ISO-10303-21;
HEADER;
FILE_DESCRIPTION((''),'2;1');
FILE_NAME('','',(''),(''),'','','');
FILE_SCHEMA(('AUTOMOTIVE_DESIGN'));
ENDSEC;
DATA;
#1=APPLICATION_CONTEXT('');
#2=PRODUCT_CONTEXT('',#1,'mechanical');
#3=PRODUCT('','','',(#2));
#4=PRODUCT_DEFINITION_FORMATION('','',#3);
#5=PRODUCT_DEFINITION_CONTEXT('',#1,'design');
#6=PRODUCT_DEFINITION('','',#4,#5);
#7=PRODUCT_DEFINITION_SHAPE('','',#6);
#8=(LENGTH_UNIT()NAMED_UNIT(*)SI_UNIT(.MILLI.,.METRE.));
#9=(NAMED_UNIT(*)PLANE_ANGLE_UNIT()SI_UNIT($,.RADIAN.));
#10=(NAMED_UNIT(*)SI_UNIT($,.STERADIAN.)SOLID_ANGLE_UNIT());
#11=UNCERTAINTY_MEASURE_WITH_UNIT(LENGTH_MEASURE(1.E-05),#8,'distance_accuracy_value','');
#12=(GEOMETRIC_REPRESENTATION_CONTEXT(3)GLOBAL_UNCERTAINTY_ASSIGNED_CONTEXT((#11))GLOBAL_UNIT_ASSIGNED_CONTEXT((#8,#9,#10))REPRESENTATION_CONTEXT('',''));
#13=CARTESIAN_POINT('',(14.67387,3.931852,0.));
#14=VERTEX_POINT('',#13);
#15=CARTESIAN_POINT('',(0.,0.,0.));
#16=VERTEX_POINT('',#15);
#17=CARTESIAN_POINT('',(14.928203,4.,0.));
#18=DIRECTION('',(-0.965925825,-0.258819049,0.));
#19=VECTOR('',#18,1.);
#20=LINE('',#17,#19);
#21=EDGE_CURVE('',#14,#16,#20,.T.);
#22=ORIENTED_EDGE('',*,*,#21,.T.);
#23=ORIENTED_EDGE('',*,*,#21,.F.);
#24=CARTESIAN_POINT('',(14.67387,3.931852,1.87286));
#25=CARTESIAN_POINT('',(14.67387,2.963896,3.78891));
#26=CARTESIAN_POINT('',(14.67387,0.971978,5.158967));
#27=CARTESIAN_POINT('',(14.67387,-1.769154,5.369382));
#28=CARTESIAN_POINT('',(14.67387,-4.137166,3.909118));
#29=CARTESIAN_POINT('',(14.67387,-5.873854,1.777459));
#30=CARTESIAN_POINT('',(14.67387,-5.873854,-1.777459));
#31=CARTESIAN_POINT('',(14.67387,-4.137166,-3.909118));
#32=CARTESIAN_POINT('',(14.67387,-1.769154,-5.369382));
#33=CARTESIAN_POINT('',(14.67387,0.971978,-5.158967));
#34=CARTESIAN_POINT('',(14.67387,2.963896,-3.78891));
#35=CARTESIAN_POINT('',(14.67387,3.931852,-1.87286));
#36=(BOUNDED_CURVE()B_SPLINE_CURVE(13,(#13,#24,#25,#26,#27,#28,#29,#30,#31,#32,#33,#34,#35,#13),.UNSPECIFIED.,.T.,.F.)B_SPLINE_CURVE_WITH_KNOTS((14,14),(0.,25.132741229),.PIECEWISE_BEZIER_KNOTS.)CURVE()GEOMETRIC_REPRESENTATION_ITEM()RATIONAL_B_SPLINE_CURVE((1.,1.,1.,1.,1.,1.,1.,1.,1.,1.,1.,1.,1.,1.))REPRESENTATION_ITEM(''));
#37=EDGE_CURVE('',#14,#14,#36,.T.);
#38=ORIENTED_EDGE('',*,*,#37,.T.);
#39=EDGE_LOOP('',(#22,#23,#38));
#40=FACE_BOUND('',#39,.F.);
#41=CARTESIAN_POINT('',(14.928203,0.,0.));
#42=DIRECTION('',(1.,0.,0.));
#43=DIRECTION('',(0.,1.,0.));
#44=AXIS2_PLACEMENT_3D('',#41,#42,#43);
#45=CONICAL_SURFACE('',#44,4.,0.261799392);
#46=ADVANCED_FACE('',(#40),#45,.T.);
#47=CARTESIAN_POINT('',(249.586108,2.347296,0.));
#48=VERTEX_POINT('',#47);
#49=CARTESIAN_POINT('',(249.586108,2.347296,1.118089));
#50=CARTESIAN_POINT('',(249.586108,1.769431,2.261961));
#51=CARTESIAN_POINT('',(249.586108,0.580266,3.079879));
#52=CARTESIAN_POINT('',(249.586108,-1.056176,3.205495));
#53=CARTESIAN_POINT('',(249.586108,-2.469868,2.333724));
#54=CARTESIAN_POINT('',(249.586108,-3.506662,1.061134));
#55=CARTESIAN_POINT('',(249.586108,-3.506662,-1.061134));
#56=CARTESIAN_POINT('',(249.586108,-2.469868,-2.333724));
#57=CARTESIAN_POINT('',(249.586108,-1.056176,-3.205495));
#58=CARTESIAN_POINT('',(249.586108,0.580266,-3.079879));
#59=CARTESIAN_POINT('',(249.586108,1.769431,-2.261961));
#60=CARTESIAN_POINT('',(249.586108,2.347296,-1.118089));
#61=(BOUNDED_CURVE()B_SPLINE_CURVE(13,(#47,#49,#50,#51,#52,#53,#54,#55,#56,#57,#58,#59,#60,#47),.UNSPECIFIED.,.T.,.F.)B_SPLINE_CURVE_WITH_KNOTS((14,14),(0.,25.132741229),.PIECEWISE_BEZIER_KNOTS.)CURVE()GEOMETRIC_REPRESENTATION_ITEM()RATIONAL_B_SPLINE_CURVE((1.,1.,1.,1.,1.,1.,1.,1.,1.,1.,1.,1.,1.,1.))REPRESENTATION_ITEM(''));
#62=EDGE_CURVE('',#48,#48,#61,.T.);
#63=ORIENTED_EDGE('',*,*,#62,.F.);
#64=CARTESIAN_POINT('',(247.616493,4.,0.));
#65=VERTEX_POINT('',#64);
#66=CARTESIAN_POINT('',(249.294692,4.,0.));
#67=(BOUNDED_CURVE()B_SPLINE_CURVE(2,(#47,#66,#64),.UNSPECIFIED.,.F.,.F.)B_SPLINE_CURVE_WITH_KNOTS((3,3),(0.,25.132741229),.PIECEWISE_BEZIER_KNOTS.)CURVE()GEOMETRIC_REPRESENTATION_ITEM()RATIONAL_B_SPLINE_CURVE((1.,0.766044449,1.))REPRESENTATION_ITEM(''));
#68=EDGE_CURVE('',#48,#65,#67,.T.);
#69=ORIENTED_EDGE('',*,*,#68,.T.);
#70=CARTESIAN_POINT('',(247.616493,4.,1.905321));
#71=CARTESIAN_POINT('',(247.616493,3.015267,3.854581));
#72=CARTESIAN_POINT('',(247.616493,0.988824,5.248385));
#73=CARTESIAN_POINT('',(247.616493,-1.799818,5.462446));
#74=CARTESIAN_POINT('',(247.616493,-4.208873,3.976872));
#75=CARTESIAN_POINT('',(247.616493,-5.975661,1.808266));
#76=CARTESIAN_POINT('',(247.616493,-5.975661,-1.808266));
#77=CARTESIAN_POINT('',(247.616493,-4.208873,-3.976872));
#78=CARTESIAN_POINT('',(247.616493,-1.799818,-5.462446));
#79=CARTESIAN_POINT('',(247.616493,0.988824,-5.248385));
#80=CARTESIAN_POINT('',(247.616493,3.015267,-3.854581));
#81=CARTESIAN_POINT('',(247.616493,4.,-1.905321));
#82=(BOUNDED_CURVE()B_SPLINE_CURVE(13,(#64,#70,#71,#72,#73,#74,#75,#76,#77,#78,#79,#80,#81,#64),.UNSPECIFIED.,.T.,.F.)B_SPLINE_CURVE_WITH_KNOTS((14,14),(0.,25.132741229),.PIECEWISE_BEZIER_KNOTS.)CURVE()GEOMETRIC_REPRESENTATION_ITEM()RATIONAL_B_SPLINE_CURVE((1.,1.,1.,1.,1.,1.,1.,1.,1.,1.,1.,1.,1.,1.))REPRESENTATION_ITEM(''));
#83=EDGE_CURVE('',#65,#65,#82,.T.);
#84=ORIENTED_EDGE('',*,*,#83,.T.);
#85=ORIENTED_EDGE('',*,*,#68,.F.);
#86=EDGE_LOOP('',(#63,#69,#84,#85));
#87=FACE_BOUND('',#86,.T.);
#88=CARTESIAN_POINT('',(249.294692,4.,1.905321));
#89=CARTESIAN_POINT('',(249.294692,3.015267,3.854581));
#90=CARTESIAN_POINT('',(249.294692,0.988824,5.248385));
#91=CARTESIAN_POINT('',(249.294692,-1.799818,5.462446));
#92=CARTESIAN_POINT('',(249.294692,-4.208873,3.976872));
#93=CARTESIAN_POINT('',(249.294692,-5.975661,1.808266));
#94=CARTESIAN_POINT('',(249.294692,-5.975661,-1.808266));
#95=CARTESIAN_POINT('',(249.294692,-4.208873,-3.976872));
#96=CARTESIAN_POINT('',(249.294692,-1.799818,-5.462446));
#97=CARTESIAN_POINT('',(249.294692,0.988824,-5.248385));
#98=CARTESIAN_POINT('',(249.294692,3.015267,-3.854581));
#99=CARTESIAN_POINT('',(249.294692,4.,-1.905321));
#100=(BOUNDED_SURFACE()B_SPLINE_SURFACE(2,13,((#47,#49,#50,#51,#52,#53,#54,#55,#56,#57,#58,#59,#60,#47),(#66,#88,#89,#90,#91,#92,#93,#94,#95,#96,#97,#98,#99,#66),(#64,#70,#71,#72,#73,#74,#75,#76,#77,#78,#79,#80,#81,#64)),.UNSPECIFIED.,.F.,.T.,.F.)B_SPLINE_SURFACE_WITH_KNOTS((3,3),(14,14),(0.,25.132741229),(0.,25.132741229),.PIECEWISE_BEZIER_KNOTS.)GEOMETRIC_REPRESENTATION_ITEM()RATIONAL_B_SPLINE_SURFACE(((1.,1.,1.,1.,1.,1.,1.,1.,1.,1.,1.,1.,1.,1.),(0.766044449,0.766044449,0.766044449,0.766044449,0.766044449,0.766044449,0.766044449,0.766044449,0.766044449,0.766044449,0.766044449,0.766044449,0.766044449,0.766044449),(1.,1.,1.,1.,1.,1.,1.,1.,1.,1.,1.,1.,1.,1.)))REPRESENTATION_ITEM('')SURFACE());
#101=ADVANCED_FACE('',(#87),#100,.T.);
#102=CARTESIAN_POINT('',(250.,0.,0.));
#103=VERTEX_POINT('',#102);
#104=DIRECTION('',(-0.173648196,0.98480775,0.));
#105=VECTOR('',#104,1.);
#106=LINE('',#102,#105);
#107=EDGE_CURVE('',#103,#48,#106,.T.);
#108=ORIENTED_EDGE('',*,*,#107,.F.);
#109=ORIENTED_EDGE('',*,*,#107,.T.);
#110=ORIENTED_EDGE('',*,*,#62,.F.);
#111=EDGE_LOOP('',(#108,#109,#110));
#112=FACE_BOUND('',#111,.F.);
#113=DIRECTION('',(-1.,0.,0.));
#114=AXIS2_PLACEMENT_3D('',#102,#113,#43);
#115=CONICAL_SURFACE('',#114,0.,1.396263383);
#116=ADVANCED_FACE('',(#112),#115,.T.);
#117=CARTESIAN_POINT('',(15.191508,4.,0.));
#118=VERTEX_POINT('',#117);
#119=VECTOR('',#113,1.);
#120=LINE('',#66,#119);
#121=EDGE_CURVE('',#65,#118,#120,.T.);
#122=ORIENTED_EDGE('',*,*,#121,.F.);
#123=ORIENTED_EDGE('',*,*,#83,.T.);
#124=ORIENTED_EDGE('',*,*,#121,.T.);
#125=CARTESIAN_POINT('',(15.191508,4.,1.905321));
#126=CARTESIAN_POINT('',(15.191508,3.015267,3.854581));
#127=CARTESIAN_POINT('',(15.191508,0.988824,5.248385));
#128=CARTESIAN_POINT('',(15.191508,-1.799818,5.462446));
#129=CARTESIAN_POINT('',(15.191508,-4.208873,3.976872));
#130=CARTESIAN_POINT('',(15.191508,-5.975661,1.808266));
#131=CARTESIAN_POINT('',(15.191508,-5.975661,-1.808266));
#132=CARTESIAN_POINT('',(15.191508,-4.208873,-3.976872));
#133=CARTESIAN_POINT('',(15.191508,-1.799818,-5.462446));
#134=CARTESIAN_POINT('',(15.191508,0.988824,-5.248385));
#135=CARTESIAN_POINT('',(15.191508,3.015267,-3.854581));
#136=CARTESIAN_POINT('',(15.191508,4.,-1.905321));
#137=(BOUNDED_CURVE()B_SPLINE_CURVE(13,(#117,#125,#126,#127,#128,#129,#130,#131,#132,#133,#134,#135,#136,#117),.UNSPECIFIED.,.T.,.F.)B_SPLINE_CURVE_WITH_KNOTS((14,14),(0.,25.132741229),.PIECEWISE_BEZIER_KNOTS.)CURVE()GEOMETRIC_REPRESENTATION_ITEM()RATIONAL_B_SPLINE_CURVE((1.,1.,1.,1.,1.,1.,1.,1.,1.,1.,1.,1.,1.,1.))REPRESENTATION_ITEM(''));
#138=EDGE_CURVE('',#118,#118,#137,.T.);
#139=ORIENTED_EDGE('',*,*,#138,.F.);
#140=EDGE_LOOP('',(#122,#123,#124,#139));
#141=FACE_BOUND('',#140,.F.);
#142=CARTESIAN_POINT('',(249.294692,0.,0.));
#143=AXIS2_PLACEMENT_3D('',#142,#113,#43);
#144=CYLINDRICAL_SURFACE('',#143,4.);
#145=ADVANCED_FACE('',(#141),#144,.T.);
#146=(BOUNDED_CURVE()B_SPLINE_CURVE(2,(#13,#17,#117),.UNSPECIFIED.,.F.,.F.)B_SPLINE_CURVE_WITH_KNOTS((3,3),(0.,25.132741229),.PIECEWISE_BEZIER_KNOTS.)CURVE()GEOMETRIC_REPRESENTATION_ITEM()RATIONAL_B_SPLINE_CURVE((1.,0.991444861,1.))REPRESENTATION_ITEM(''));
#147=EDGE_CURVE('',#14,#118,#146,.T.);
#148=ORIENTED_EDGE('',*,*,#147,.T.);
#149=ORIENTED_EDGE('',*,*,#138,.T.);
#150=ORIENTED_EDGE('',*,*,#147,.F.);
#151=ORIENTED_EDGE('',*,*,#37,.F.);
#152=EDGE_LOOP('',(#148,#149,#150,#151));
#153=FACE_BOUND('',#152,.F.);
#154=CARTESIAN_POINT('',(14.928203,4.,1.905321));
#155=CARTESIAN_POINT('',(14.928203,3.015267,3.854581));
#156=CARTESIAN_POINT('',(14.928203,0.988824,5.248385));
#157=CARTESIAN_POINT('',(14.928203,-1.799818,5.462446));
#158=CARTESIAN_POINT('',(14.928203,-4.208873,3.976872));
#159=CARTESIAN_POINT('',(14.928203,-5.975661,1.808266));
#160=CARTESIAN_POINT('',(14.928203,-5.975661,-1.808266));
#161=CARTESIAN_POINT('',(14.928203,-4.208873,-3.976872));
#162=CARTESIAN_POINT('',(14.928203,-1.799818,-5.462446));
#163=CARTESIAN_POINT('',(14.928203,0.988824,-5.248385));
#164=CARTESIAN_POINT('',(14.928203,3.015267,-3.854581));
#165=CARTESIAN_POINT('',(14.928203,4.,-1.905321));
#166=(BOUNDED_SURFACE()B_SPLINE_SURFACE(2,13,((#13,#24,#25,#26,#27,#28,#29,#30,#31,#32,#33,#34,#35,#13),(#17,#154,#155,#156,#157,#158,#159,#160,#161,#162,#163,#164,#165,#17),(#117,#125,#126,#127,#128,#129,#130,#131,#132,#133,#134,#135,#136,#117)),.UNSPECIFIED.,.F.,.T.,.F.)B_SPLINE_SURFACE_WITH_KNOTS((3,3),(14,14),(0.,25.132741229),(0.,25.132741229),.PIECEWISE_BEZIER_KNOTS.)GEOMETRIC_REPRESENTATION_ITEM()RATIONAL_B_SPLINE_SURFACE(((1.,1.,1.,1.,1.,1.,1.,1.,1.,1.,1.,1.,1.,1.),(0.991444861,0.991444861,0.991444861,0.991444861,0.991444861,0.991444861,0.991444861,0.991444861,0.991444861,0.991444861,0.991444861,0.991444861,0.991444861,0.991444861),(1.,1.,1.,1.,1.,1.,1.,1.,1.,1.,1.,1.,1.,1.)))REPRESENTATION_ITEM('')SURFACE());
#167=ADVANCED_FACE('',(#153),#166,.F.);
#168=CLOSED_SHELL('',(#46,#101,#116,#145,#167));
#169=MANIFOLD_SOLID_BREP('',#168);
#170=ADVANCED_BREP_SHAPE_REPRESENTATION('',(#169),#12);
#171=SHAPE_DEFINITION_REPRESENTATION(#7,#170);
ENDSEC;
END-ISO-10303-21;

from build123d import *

# Parameters (mm, degrees)
F2_R = 2


with BuildPart() as f1:
    # F0 (on Top) → F1 (revolve)
    with BuildSketch(Plane.XY):
        Polygon((14.928203, 4), (0, 0), (250, 0), (249.294692, 4), align=None)
    revolve(axis=Axis((125, 0, 0), (1, 0, 0)))

    # F2
    f2_edges = [f1.edges().sort_by_distance(p)[0] for p in [
        (14.928203, -4, 0),
        (249.294692, -4, 0),
    ]]
    fillet(f2_edges, radius=F2_R)


solid = f1.part
